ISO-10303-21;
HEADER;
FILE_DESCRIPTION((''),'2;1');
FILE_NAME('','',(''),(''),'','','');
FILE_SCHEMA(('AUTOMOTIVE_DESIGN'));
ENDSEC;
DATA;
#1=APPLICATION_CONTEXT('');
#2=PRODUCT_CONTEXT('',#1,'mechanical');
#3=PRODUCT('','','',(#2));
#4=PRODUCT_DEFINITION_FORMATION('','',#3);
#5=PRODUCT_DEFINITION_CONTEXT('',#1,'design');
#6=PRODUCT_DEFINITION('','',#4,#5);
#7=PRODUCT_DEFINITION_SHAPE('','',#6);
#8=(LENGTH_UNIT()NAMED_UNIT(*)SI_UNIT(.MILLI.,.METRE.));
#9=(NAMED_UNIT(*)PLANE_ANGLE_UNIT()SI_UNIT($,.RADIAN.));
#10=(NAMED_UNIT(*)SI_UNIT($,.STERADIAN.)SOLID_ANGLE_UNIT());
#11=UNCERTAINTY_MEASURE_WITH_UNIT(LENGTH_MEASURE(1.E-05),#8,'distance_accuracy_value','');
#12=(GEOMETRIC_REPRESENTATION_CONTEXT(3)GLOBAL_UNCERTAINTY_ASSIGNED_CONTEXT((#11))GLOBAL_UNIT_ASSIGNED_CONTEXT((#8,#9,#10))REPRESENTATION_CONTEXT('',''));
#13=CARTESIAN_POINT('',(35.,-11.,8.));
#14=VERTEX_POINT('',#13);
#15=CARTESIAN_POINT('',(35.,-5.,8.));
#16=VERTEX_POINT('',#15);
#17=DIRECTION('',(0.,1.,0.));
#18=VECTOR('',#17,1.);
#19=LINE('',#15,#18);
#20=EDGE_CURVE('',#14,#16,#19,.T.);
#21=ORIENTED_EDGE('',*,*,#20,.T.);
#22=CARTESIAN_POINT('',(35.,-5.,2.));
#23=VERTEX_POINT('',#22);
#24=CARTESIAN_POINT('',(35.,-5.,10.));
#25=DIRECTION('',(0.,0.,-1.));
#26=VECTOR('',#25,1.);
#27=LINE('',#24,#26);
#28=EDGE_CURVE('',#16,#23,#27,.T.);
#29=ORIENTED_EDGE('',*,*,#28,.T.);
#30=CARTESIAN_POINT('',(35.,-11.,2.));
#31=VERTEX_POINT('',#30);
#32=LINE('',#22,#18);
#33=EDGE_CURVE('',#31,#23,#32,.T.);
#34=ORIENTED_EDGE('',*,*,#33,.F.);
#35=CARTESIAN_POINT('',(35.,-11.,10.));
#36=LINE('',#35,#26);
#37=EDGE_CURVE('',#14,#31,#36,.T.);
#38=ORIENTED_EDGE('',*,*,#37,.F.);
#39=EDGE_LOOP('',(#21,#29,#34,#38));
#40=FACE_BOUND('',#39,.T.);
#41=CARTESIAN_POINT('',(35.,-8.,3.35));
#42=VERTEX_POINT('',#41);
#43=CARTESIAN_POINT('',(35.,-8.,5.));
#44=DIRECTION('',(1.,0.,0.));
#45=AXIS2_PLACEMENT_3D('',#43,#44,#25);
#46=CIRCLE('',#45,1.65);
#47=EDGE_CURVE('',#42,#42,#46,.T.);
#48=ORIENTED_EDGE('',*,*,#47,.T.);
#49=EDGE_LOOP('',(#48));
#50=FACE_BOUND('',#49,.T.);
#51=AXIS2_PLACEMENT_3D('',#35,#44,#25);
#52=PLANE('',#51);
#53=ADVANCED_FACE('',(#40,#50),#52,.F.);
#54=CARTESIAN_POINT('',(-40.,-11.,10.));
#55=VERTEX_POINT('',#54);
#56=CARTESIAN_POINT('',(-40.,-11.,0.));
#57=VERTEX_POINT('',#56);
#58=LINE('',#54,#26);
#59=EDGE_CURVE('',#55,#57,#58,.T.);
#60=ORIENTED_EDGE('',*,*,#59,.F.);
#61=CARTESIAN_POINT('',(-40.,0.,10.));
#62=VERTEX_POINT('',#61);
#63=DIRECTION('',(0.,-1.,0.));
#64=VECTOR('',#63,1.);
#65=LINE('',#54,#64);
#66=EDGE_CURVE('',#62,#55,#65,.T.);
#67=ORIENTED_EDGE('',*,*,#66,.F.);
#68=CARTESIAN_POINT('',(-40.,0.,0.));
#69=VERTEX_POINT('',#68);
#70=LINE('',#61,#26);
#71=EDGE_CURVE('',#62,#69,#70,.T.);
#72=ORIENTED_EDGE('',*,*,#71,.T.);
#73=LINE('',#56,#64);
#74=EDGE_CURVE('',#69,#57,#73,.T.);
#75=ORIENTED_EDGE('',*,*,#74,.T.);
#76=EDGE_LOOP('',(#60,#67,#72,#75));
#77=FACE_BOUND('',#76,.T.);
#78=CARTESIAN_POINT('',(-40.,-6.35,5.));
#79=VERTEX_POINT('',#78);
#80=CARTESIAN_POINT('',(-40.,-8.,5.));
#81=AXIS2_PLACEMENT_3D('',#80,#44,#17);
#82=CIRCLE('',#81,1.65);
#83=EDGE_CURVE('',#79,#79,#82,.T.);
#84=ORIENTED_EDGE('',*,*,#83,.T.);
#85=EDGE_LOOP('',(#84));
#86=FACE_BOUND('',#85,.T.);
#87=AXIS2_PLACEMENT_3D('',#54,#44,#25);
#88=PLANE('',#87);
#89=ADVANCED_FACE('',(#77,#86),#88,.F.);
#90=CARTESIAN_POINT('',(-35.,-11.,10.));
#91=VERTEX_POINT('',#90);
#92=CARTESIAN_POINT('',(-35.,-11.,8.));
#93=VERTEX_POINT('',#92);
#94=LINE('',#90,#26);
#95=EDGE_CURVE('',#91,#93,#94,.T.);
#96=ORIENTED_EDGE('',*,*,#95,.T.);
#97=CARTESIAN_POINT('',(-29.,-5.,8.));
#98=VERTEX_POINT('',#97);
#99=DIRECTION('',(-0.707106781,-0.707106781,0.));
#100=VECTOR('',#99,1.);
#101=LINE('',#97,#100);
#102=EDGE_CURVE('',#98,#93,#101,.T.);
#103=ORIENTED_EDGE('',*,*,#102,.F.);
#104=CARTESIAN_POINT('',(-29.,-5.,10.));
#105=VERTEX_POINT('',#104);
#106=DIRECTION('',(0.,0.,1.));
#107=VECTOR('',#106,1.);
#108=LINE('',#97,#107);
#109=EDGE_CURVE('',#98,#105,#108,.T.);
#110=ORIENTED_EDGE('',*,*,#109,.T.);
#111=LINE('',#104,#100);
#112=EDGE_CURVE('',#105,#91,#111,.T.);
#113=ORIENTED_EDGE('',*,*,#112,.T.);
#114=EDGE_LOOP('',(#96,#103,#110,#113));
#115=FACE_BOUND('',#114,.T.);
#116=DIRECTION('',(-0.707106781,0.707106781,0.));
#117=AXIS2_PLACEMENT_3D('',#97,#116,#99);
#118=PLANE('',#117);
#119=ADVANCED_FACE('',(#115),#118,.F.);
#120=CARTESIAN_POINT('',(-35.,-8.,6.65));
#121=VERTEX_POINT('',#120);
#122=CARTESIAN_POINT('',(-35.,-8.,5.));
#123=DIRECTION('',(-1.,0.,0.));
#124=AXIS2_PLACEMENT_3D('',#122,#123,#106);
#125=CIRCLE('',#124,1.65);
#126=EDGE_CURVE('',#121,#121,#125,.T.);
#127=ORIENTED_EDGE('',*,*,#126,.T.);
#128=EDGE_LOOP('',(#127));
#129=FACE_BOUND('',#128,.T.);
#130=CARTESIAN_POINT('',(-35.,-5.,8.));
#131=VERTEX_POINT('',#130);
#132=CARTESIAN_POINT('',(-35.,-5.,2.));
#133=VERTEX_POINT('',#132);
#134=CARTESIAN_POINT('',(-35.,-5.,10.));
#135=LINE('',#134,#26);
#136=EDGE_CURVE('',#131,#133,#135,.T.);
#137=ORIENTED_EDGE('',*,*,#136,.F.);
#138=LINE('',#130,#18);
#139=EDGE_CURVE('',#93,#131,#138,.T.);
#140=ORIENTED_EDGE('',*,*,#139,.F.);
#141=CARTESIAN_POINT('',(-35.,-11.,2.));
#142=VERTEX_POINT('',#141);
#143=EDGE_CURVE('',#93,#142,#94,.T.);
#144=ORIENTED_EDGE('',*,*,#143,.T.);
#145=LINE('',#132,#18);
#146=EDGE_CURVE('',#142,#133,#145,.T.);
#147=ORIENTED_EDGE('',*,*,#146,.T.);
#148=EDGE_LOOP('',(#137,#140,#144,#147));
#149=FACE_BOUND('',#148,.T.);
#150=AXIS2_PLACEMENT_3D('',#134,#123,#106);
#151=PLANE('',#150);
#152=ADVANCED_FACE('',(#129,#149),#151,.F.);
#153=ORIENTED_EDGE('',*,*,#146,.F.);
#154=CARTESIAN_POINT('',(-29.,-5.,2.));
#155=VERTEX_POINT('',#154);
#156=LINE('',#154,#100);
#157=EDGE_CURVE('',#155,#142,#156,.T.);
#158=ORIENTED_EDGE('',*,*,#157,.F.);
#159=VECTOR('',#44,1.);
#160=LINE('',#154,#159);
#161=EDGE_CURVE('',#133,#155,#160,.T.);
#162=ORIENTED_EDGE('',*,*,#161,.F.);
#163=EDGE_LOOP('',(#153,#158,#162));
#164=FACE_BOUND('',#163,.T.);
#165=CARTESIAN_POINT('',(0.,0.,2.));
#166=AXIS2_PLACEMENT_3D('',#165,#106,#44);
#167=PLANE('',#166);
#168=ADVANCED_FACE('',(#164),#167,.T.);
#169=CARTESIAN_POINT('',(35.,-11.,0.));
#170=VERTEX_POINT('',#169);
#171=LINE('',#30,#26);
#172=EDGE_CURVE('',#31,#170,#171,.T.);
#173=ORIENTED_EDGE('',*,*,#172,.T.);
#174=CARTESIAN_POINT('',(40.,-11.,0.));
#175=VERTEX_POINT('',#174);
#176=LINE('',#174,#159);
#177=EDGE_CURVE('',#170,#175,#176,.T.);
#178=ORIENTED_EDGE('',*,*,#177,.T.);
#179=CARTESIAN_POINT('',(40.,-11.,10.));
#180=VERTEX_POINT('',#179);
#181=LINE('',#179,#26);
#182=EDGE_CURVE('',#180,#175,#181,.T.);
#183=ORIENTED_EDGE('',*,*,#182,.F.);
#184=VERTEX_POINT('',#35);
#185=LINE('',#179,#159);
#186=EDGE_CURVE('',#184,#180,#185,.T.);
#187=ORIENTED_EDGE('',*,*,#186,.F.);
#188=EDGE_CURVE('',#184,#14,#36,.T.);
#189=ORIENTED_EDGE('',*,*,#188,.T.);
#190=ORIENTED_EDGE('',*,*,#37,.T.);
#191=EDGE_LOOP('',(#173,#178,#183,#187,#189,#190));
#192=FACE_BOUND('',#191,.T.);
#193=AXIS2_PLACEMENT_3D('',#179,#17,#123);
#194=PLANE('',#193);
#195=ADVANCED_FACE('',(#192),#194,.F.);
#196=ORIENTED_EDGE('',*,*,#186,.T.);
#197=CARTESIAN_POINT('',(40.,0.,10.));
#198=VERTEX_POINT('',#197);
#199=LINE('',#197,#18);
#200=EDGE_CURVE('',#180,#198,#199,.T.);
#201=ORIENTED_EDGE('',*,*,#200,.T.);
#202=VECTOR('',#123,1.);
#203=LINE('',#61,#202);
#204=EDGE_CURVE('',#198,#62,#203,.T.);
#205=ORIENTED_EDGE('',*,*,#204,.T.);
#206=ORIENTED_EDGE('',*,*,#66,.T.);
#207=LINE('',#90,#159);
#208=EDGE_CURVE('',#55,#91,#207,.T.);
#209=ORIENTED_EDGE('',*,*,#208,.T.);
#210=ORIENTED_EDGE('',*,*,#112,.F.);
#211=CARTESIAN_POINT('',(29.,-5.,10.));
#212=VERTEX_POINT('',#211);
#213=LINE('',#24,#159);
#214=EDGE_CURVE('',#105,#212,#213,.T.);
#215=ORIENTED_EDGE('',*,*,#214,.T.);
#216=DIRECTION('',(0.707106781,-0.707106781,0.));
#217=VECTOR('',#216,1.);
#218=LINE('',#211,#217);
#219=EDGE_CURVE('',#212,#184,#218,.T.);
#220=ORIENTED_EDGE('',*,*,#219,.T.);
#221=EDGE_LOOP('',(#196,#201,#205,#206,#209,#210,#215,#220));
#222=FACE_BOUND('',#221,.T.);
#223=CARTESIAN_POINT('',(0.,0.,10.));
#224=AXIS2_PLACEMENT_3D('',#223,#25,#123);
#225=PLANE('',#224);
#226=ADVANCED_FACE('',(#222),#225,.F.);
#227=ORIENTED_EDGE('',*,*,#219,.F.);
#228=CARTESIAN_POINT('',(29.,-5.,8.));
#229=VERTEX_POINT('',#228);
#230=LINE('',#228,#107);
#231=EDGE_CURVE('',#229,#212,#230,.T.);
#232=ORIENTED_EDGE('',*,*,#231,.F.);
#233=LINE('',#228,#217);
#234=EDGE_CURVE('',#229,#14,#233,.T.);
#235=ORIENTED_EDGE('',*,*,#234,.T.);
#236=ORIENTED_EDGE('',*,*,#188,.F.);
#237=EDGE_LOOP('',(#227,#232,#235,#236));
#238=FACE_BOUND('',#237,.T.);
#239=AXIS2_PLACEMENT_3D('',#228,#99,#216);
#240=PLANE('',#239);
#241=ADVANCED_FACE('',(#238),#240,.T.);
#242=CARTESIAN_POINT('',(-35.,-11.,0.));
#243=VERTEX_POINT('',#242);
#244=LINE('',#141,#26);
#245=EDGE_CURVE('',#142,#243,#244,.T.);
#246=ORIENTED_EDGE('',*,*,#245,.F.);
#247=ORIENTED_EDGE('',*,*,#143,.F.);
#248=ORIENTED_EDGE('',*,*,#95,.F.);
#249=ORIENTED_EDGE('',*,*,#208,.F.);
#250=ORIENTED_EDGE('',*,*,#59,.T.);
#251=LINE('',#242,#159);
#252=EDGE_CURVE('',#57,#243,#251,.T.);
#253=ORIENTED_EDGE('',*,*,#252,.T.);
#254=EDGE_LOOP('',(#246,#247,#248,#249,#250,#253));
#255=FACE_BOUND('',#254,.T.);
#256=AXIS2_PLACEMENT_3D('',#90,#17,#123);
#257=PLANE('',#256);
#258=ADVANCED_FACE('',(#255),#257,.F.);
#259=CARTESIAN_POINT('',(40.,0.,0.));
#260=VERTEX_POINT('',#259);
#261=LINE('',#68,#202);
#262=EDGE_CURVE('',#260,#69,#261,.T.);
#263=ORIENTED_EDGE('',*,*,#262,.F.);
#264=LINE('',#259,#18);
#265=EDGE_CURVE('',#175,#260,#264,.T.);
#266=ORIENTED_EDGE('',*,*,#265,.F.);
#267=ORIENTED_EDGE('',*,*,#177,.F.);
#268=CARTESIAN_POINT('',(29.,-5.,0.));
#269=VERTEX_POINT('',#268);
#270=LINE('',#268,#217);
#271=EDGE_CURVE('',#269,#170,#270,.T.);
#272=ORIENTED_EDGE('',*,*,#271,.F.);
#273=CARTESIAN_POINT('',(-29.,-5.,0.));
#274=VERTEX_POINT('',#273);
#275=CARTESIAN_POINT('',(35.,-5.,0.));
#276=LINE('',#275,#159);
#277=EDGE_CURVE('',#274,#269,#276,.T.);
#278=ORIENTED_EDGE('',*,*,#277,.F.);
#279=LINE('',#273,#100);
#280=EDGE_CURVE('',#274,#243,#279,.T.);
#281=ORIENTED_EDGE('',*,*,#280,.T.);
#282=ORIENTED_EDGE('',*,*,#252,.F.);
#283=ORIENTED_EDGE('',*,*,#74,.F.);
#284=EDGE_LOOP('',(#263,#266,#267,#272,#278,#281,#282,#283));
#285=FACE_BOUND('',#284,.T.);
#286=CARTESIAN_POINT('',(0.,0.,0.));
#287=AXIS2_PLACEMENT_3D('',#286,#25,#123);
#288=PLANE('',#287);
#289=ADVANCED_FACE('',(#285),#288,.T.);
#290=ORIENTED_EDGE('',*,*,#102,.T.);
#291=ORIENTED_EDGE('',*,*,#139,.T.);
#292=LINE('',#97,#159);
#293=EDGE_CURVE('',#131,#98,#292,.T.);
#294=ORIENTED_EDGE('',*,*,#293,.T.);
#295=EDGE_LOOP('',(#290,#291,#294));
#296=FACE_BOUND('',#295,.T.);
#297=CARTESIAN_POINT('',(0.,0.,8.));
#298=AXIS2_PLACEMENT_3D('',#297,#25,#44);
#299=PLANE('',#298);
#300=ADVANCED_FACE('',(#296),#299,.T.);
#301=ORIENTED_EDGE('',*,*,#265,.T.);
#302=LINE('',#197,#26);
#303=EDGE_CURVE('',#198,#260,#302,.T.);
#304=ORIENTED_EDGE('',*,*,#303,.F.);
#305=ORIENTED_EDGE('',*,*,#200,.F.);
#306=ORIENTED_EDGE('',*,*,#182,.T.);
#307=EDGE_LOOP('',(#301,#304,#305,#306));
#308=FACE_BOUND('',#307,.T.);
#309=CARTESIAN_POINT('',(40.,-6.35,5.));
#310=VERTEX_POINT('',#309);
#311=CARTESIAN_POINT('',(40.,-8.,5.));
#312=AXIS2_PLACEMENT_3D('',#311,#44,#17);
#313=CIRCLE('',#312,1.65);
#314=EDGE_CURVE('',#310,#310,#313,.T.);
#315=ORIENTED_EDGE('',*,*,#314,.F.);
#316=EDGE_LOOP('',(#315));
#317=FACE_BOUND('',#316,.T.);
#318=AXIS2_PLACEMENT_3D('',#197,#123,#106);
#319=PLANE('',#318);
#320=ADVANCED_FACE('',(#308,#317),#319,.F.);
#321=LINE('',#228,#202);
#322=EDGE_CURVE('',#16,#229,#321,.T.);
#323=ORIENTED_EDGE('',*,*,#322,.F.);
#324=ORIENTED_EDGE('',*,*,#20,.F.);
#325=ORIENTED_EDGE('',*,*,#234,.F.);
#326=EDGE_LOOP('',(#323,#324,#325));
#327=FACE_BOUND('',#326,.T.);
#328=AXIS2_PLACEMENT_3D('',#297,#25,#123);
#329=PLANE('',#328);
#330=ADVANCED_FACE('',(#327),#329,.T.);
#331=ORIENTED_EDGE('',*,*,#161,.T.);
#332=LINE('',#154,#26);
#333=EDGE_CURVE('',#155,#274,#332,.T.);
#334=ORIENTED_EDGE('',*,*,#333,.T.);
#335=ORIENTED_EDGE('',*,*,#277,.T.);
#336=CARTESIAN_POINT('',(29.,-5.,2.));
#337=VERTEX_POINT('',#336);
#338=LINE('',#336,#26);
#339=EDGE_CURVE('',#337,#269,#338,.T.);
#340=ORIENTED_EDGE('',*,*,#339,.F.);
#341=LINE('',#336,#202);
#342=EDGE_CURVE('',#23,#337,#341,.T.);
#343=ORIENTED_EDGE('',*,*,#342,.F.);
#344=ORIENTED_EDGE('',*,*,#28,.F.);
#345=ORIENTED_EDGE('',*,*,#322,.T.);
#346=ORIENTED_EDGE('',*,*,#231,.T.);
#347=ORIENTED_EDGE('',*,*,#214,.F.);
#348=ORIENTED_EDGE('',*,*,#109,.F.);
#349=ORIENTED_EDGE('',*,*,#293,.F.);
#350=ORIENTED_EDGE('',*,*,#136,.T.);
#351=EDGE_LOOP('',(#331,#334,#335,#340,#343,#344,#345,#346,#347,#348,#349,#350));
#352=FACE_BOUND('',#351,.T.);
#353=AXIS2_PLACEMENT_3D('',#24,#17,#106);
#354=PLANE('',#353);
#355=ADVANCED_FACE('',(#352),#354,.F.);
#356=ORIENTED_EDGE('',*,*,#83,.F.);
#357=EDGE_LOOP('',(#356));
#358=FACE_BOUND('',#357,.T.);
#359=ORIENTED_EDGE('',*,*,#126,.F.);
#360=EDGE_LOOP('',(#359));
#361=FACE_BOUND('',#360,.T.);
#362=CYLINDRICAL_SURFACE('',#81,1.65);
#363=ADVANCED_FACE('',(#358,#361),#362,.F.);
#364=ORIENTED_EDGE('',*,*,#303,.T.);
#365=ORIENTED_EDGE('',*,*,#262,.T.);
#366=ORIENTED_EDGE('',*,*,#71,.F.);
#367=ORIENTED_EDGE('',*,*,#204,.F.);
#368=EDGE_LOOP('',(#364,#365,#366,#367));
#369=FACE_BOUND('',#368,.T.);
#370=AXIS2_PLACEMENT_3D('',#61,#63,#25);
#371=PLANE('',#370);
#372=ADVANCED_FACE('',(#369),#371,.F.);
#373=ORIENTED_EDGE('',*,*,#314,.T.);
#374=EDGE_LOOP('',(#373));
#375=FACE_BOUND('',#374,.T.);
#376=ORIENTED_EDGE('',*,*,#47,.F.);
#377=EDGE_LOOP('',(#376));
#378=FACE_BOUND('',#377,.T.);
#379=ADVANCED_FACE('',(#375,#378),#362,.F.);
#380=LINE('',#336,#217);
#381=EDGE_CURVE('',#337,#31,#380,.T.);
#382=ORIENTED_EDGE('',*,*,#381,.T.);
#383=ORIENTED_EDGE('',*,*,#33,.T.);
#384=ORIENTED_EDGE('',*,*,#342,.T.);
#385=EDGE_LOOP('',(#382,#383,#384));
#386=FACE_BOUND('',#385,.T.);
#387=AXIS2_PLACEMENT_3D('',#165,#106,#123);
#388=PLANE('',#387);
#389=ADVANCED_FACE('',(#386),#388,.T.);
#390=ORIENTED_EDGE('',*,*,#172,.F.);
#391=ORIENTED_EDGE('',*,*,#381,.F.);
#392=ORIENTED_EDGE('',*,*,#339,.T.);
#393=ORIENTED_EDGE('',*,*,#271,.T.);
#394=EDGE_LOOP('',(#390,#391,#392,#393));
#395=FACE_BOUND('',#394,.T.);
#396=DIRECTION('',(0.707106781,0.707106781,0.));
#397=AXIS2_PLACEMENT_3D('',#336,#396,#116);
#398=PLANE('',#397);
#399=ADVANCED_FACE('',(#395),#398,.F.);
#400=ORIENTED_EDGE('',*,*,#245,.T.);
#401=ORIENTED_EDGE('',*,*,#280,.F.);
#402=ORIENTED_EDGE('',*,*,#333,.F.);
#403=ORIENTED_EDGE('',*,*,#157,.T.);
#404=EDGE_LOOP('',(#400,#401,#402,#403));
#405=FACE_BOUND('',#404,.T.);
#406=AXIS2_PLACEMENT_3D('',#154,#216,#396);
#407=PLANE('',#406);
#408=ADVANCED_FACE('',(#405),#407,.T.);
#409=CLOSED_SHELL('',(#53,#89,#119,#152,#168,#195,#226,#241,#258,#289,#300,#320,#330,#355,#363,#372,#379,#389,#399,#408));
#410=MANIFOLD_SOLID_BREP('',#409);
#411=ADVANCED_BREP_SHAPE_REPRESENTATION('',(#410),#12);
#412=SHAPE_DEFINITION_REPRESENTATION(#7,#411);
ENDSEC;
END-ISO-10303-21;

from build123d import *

# Parameters (mm, degrees)
EXTRUDE_2_DEPTH          = 10
SKETCH_3_R               = 1.65
CUT_EXTRUDE_1_DEPTH      = 76
CUT_EXTRUDE_1_DEPTH_BACK = 6
EXTRUDE_3_DEPTH          = 2
MIRROR_2_COPY_1_DEPTH    = 2


with BuildPart() as part:
    # 草图1 → 凸台-拉伸2 (new body)
    with BuildSketch(Plane.XY):
        Polygon((-40, 0), (40, 0), (40, -11), (35, -11), (35, -5), (-35, -5), (-35, -11), (-40, -11), align=None)
    extrude(amount=EXTRUDE_2_DEPTH)

    # 草图3 → 切除-拉伸1 (cut, two sides)
    with BuildSketch(Plane(origin=(-35, 0, 0), x_dir=(0, 0, -1), z_dir=(1, 0, 0))) as cut_extrude_1_sk:
        with Locations((-5, -8)):
            Circle(SKETCH_3_R)
    extrude(amount=CUT_EXTRUDE_1_DEPTH, mode=Mode.SUBTRACT)
    extrude(cut_extrude_1_sk.sketch, amount=-CUT_EXTRUDE_1_DEPTH_BACK, mode=Mode.SUBTRACT)

    # 草图4 → 凸台-拉伸3 (add)
    with BuildSketch(Plane(origin=(0, 0, 0), x_dir=(-1, 0, 0), z_dir=(0, 0, -1))):
        Polygon((29, -5), (35, -11), (35, -5), align=None)
    extrude_3 = extrude(amount=-EXTRUDE_3_DEPTH)

    # 镜向1: 凸台-拉伸3 across plane
    add(extrude_3.mirror(Plane.XY.offset(5)))

    # 镜向2: 凸台-拉伸3 across plane
    add(extrude_3.mirror(Plane(origin=(0, 0, 0), x_dir=(0, 0, 1), z_dir=(1, 0, 0))))

    # 镜向2 copy 1 sketch → 镜向2 copy 1 (add)
    with BuildSketch(Plane.XY.offset(10)):
        Polygon((29, -5), (35, -11), (35, -5), align=None)
    extrude(amount=-MIRROR_2_COPY_1_DEPTH)


solid = part.part
